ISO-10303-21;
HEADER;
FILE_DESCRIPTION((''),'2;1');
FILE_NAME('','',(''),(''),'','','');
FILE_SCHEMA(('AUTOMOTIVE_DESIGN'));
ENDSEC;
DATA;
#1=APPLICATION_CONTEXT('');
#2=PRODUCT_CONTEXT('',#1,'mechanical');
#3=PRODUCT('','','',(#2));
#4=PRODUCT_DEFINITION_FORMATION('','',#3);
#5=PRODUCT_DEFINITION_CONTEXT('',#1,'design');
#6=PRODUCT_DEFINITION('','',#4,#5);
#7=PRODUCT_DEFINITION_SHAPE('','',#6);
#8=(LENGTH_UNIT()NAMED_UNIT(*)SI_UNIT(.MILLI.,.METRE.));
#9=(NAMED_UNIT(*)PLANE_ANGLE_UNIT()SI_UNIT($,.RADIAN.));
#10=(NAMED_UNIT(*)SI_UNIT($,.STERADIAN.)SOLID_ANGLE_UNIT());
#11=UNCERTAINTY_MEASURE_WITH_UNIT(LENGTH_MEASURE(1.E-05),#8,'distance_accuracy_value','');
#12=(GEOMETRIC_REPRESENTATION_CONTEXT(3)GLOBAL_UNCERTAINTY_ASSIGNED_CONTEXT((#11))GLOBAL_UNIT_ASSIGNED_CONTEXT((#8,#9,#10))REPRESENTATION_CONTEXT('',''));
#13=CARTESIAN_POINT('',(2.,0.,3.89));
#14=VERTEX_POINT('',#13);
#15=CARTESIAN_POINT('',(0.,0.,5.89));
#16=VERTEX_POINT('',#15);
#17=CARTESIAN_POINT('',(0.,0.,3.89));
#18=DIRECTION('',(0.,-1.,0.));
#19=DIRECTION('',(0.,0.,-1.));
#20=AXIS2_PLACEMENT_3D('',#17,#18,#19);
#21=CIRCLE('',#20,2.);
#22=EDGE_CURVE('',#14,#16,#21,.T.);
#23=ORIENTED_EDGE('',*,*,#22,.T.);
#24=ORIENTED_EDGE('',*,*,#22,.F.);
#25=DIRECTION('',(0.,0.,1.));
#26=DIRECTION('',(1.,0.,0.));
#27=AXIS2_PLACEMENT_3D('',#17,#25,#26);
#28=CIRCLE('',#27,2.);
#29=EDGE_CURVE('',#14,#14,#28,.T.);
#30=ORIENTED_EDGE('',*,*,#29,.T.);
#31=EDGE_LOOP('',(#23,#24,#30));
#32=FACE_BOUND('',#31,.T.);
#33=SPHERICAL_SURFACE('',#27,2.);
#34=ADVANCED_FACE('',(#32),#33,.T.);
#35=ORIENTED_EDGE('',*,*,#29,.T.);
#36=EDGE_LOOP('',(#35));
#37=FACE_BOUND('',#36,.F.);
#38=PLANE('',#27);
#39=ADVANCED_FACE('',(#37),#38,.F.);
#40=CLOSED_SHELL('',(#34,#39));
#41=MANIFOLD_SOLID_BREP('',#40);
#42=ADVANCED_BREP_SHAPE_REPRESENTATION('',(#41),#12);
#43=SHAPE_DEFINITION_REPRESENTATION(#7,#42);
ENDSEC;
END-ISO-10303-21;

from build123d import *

# Parameters (mm, degrees)
BOX061_W     = 10
BOX061_H     = 10
BOX061_DEPTH = 10


with BuildPart() as cube004:
    # Box061 → Box061 (new body)
    with BuildSketch(Plane(origin=(-5, -5, -10), x_dir=(1, 0, 0), z_dir=(0, 0, 1))):
        with Locations((5, 5)):
            Rectangle(BOX061_W, BOX061_H)
    extrude(amount=BOX061_DEPTH)


with BuildPart() as sapphire_half_ball_lens004:
    # Sphere004 → Sphere004 (revolve)
    with BuildSketch(Plane.XZ):
        with BuildLine():
            ThreePointArc((0, -2), (2, 0), (0, 2))
            Line((0, 2), (0, -2))
        make_face()
    revolve(axis=Axis((0, 0, 0), (0, 0, 1)))

    # Cut012: cut Cube004
    add(cube004.part, mode=Mode.SUBTRACT)


with BuildPart() as sapphire_half_ball_lens004_1:
    # Cut012 placement: moved
    add(sapphire_half_ball_lens004.part.moved(Location((0, 0, 3.89))))


solid = sapphire_half_ball_lens004_1.part
